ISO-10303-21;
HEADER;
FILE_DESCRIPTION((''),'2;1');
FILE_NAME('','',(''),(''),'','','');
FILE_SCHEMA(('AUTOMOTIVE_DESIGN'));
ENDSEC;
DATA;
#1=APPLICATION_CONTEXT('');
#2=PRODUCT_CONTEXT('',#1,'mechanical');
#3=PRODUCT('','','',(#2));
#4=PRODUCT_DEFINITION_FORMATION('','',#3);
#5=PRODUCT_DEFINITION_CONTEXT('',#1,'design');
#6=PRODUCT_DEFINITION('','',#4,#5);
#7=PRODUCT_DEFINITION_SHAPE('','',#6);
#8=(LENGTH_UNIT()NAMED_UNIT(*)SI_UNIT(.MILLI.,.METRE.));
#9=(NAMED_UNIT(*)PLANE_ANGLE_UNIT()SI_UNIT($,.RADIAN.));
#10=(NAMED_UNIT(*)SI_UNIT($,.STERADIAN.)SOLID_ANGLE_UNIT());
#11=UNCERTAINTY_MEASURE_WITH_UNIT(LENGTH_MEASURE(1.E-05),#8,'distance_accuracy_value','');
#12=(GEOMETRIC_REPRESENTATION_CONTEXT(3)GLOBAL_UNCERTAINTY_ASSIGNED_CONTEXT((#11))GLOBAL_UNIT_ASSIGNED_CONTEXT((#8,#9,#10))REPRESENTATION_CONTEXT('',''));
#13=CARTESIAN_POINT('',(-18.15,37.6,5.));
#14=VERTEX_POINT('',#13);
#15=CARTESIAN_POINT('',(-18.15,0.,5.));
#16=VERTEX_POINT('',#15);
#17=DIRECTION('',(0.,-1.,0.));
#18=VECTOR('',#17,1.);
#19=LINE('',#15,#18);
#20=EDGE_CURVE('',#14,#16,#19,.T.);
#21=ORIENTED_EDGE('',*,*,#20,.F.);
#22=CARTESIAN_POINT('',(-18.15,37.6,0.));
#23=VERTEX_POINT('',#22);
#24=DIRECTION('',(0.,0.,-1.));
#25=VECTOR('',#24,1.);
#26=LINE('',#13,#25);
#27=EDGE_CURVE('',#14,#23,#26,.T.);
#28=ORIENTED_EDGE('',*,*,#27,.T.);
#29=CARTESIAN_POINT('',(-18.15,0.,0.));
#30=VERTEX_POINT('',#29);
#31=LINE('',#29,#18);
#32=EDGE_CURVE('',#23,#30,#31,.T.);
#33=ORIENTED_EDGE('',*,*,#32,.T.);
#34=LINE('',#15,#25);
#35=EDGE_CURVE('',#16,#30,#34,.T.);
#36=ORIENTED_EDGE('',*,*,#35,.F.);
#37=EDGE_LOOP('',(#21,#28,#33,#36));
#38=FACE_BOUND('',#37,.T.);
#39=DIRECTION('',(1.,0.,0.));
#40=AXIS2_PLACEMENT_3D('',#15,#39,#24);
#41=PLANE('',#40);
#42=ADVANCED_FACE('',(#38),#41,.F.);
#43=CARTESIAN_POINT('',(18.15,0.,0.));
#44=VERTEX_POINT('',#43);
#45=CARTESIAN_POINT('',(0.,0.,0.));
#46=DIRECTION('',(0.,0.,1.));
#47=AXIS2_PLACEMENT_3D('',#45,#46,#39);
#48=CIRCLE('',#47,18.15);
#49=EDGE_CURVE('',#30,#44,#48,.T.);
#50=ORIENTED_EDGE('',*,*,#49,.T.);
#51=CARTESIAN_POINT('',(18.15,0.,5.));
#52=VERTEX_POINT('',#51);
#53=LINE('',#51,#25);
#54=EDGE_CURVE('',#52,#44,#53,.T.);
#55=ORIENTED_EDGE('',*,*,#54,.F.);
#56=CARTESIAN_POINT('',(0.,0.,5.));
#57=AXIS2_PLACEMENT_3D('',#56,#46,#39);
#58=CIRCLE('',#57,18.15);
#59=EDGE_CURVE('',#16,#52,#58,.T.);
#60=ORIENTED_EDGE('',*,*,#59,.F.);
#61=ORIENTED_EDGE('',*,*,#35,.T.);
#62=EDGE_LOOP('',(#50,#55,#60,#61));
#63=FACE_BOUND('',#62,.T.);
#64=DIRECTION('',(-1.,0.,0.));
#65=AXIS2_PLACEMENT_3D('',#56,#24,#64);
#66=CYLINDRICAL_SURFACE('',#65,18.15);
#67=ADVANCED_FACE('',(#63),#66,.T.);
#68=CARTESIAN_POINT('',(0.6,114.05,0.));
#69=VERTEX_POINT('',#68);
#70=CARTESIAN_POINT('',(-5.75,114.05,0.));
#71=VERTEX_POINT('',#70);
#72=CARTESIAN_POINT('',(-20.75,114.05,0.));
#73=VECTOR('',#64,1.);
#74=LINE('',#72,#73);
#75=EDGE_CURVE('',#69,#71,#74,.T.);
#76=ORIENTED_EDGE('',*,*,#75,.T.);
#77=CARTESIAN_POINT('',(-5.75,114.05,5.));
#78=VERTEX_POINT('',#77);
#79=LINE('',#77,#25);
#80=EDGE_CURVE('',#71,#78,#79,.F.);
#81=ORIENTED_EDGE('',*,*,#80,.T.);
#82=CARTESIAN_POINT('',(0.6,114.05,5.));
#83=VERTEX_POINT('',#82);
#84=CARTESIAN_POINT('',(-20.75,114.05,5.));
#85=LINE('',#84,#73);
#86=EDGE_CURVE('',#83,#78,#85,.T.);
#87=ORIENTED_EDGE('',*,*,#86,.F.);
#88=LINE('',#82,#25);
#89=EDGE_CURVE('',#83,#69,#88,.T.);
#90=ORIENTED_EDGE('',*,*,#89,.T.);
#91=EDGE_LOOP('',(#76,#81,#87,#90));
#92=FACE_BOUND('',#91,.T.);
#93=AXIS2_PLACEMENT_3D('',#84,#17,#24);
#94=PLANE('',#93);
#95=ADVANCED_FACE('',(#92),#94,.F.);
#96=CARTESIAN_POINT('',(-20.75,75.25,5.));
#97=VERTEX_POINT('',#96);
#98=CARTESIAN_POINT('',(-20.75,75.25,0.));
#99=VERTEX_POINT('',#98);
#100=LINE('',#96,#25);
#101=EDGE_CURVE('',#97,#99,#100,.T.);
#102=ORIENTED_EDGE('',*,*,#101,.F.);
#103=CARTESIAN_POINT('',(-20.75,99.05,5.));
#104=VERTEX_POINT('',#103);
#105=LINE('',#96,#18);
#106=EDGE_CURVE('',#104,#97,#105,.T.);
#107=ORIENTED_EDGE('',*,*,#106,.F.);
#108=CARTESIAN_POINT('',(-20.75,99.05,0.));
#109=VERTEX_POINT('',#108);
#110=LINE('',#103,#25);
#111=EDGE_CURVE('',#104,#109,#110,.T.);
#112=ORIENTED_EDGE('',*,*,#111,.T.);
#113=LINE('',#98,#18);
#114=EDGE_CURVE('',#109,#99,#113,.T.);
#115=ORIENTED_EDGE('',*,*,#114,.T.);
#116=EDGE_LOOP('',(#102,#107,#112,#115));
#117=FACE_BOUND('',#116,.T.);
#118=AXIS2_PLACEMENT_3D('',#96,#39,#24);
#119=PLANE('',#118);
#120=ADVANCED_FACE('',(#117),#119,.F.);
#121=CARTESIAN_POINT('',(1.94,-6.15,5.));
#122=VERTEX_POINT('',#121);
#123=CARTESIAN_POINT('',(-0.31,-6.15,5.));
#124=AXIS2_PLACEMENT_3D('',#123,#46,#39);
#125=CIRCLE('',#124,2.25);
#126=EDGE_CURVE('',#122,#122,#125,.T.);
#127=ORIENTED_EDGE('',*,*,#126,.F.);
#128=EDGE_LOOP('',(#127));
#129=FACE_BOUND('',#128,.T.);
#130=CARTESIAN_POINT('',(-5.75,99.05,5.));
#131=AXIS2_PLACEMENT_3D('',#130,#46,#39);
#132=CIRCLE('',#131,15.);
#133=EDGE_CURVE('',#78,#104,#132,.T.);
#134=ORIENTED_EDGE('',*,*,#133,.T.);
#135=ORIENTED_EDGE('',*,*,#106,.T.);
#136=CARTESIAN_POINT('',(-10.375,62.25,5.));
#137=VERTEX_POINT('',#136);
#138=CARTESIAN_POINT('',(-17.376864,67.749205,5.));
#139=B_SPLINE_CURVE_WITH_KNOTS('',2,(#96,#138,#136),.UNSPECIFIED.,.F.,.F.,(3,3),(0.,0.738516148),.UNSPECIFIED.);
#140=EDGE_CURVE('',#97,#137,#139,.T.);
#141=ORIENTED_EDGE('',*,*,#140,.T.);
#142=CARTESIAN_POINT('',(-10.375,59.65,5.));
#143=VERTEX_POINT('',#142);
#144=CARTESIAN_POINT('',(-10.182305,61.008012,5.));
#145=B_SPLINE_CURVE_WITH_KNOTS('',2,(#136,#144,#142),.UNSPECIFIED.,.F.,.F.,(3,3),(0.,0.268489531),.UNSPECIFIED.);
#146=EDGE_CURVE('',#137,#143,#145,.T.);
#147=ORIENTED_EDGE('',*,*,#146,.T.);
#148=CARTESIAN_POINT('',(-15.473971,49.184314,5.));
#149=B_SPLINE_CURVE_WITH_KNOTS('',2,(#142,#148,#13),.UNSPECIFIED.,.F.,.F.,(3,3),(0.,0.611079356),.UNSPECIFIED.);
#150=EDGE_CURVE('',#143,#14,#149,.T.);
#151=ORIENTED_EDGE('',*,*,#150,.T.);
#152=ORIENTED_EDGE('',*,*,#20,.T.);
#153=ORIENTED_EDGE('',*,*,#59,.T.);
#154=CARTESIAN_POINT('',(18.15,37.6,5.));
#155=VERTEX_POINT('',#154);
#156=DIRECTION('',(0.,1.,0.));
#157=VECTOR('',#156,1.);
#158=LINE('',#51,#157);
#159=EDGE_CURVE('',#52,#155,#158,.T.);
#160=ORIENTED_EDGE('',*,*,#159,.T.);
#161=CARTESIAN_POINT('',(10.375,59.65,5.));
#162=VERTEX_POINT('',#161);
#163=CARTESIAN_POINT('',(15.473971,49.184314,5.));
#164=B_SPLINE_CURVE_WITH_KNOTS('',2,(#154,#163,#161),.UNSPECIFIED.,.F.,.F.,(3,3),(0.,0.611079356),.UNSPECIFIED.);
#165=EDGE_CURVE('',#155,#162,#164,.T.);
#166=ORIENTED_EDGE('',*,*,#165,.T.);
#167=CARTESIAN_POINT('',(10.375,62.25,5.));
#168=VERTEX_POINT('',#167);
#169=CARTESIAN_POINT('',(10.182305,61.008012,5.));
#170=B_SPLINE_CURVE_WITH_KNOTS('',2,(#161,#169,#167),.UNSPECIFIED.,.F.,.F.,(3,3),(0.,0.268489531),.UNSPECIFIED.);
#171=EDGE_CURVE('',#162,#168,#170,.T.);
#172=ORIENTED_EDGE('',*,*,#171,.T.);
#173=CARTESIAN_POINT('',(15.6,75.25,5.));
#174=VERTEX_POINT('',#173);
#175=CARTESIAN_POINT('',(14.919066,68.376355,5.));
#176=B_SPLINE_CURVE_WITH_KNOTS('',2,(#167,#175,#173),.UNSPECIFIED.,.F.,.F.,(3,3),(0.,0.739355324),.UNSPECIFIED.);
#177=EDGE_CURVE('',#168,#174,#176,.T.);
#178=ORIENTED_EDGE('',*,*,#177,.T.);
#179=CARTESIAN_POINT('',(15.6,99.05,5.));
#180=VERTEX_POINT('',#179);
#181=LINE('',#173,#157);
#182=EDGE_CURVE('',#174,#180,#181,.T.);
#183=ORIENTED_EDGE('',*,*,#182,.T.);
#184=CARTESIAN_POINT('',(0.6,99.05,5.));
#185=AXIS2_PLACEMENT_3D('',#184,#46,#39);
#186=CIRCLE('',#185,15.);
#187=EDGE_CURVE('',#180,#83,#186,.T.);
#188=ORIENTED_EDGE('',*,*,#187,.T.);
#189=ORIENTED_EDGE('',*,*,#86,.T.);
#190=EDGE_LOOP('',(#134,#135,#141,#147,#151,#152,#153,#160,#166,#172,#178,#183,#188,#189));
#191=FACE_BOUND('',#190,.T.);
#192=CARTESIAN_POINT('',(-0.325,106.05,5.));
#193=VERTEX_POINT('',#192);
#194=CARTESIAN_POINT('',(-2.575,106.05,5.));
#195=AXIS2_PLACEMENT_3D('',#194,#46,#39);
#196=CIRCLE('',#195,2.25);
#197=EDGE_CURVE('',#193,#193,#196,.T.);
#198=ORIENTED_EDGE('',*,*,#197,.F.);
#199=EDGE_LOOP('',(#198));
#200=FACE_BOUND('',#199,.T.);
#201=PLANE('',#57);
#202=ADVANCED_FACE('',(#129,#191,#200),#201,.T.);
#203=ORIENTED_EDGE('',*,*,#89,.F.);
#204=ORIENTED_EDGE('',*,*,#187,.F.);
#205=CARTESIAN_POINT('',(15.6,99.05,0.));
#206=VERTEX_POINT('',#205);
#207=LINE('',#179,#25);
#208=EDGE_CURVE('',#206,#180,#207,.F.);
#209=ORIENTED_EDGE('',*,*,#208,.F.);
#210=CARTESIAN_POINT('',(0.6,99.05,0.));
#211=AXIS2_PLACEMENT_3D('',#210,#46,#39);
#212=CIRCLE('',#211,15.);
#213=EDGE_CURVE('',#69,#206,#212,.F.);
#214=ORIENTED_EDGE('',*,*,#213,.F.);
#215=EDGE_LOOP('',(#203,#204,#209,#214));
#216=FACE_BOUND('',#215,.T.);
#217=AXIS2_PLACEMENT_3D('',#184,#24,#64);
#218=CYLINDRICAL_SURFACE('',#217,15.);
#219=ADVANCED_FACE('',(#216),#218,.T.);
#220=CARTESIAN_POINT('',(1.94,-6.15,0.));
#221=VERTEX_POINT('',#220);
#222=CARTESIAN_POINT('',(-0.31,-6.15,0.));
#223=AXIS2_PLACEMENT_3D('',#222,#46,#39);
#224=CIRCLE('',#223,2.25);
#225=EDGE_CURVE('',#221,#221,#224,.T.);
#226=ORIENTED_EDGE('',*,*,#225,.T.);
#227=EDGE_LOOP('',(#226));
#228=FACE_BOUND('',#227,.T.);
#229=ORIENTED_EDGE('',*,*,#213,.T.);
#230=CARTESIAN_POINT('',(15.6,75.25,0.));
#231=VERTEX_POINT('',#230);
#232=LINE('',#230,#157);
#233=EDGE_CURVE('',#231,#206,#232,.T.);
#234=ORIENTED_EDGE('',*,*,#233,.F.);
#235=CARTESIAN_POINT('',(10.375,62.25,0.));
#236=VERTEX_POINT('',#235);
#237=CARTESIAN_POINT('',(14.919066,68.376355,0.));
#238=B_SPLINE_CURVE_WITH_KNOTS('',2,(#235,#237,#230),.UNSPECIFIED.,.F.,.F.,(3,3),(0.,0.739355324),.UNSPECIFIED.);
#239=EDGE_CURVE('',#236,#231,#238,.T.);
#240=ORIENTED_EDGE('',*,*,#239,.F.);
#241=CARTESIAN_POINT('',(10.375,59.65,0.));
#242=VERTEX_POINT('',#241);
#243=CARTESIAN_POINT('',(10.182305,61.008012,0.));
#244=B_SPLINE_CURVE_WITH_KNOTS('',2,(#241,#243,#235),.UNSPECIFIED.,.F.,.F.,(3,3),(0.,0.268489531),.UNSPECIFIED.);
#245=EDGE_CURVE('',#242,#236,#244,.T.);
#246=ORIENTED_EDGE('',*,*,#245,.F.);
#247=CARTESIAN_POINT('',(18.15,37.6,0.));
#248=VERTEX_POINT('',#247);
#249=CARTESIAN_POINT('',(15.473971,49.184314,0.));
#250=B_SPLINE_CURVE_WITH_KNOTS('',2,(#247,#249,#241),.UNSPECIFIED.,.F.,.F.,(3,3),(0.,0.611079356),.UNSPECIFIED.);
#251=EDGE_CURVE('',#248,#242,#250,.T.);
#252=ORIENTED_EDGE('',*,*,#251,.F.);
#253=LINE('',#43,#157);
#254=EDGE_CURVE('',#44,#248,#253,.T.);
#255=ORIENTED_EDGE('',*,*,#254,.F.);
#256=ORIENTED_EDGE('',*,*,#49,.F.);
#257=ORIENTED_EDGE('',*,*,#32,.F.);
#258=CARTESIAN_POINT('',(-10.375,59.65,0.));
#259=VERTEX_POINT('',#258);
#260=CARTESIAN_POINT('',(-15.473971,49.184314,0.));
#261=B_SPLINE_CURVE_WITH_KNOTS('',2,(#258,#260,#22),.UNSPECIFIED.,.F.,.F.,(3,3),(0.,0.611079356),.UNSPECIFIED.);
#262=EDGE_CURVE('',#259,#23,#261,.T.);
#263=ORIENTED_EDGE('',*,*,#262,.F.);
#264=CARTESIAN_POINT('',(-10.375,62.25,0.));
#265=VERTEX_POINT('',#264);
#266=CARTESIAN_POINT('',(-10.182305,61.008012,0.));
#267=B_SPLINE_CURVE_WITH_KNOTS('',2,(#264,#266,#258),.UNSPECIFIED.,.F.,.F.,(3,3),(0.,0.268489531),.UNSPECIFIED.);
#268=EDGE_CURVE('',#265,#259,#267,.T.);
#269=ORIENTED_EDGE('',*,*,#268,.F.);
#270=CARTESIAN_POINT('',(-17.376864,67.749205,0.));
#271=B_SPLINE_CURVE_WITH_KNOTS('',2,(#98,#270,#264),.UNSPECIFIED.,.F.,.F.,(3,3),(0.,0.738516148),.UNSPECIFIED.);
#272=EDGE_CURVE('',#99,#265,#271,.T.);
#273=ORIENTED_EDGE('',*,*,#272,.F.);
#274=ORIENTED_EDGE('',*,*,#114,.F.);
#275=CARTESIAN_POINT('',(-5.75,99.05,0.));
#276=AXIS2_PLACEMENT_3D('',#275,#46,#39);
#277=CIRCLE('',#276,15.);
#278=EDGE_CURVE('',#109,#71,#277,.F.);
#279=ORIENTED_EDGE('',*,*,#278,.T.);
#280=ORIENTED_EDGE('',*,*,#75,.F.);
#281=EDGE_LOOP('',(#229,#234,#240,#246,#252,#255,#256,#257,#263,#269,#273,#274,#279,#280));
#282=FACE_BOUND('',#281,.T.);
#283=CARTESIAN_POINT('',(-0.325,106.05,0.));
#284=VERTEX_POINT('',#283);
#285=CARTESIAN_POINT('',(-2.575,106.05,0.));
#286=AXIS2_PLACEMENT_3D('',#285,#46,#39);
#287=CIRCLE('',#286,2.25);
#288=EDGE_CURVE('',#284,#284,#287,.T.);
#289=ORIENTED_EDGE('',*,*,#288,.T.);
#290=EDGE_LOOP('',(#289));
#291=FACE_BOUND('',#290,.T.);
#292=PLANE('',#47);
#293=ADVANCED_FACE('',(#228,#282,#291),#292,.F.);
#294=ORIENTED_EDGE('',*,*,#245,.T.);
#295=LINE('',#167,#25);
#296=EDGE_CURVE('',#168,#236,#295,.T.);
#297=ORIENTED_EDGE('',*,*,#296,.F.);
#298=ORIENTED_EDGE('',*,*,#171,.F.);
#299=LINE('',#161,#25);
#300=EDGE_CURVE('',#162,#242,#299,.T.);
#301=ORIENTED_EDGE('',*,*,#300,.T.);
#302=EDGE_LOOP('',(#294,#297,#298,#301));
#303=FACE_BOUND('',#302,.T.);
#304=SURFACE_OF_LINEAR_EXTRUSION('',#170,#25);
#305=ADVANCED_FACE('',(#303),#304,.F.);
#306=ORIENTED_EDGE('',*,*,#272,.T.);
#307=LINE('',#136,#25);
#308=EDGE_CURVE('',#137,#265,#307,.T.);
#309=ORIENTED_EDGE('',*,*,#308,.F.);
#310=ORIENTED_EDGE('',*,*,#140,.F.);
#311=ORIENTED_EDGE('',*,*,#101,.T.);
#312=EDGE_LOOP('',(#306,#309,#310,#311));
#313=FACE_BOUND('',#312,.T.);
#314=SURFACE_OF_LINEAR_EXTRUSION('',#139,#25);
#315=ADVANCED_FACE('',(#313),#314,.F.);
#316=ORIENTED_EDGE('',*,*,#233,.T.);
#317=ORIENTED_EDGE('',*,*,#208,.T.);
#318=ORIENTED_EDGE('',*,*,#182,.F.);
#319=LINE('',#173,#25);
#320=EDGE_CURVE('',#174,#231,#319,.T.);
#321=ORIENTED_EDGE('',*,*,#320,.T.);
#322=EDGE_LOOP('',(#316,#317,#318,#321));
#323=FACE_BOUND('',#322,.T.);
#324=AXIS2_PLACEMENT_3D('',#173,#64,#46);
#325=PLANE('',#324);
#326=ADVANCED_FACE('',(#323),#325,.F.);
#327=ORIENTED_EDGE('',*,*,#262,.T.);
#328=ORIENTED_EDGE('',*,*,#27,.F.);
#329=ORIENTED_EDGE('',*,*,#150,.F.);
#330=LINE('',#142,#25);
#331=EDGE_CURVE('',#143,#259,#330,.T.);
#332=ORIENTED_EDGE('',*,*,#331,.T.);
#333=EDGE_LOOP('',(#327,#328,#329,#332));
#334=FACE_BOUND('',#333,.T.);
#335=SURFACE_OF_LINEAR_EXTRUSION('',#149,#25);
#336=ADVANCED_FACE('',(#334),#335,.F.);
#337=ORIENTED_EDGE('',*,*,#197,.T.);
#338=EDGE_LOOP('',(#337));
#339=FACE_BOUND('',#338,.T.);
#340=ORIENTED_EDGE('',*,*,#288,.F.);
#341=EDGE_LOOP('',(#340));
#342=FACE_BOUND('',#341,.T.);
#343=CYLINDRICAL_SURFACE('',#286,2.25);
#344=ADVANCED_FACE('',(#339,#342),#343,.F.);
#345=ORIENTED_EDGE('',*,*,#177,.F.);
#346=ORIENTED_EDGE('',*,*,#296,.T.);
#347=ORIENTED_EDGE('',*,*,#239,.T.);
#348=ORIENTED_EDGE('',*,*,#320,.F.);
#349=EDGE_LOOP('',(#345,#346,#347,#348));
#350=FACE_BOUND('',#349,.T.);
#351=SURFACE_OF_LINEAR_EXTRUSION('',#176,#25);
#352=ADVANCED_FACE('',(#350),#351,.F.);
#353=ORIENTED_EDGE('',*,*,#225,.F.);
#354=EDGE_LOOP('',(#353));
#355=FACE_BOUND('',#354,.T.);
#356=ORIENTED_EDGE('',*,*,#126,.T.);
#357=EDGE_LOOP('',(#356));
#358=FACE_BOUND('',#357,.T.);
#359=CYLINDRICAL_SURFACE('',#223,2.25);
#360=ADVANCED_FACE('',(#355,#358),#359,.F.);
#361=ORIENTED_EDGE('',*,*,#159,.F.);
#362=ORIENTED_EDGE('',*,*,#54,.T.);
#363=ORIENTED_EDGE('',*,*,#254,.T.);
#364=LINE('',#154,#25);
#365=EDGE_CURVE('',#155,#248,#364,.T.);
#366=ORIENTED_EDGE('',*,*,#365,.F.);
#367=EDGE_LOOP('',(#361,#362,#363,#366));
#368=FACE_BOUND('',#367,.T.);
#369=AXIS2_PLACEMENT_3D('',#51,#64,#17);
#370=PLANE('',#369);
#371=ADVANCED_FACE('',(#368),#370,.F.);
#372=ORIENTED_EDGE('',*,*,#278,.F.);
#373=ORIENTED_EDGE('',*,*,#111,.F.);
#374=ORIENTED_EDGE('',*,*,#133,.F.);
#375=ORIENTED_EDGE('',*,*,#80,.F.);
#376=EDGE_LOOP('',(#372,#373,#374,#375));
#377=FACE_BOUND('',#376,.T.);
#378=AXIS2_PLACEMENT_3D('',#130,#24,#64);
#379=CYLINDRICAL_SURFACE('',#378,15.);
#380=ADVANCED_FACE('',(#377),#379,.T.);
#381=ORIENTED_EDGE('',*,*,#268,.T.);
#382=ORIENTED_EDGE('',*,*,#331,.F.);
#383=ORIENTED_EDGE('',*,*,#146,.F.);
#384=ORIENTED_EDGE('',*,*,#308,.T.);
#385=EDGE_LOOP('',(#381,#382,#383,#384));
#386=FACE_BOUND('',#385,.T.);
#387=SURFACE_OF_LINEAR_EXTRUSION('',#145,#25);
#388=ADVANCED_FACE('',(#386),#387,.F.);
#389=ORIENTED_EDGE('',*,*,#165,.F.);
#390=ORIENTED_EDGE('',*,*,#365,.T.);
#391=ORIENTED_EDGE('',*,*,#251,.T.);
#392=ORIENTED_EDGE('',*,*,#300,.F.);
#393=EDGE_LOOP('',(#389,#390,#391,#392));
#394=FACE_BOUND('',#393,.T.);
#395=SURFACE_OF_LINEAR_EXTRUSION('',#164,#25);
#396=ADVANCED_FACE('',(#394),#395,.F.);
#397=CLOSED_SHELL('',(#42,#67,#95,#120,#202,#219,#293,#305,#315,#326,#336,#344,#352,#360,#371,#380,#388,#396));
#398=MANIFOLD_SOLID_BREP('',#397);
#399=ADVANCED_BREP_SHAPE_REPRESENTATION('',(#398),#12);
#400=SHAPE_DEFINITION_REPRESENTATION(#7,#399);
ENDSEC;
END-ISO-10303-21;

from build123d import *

# Parameters (mm, degrees)
RESSALTO_EXTRUS_O1_DEPTH = 5
ESBO_O2_R                = 2.25
CORTE_EXTRUS_O1_DEPTH    = 117.030017788
FILETE1_R                = 15


with BuildPart() as part:
    # Esboço1 → Ressalto-extrusão1 (new body)
    with BuildSketch(Plane.XY):
        with BuildLine():
            Line((-18.15, 0), (-18.15, 37.6))
            add(Edge.make_bspline(
                [(-18.15, 37.6), (-15.473970767, 49.184313893), (-10.375, 59.65)],
                knots=[0, 0, 0, 0.611079356, 0.611079356, 0.611079356], degree=2))
            add(Edge.make_bspline(
                [(-10.375, 59.65), (-10.182305069, 61.008012224), (-10.375, 62.25)],
                knots=[0, 0, 0, 0.268489531, 0.268489531, 0.268489531], degree=2))
            add(Edge.make_bspline(
                [(-10.375, 62.25), (-17.376864496, 67.749205026), (-20.75, 75.25)],
                knots=[0, 0, 0, 0.738516148, 0.738516148, 0.738516148], degree=2))
            Line((-20.75, 75.25), (-20.75, 114.05))
            Line((-20.75, 114.05), (15.6, 114.05))
            Line((15.6, 114.05), (15.6, 75.25))
            add(Edge.make_bspline(
                [(10.375, 62.25), (14.919065783, 68.376354775), (15.6, 75.25)],
                knots=[0, 0, 0, 0.739355324, 0.739355324, 0.739355324], degree=2))
            add(Edge.make_bspline(
                [(10.375, 59.65), (10.182305069, 61.008012224), (10.375, 62.25)],
                knots=[0, 0, 0, 0.268489531, 0.268489531, 0.268489531], degree=2))
            add(Edge.make_bspline(
                [(18.15, 37.6), (15.473970767, 49.184313893), (10.375, 59.65)],
                knots=[0, 0, 0, 0.611079356, 0.611079356, 0.611079356], degree=2))
            Line((18.15, 37.6), (18.15, 0))
            ThreePointArc((18.15, 0), (0, -18.15), (-18.15, 0))
        make_face()
    extrude(amount=RESSALTO_EXTRUS_O1_DEPTH)

    # Esboço2 → Corte-extrusão1 (cut, through all)
    with BuildSketch(Plane.XY.offset(5)):
        with Locations((-0.31, -6.15)):
            Circle(ESBO_O2_R)
        with Locations((-2.575, 106.05)):
            Circle(ESBO_O2_R)
    extrude(amount=-CORTE_EXTRUS_O1_DEPTH, mode=Mode.SUBTRACT)

    # Filete1
    filete1_edges = [part.edges().sort_by_distance(p)[0] for p in [
        (-20.75, 114.05, 2.5),
        (15.6, 114.05, 2.5),
    ]]
    fillet(filete1_edges, radius=FILETE1_R)


solid = part.part
